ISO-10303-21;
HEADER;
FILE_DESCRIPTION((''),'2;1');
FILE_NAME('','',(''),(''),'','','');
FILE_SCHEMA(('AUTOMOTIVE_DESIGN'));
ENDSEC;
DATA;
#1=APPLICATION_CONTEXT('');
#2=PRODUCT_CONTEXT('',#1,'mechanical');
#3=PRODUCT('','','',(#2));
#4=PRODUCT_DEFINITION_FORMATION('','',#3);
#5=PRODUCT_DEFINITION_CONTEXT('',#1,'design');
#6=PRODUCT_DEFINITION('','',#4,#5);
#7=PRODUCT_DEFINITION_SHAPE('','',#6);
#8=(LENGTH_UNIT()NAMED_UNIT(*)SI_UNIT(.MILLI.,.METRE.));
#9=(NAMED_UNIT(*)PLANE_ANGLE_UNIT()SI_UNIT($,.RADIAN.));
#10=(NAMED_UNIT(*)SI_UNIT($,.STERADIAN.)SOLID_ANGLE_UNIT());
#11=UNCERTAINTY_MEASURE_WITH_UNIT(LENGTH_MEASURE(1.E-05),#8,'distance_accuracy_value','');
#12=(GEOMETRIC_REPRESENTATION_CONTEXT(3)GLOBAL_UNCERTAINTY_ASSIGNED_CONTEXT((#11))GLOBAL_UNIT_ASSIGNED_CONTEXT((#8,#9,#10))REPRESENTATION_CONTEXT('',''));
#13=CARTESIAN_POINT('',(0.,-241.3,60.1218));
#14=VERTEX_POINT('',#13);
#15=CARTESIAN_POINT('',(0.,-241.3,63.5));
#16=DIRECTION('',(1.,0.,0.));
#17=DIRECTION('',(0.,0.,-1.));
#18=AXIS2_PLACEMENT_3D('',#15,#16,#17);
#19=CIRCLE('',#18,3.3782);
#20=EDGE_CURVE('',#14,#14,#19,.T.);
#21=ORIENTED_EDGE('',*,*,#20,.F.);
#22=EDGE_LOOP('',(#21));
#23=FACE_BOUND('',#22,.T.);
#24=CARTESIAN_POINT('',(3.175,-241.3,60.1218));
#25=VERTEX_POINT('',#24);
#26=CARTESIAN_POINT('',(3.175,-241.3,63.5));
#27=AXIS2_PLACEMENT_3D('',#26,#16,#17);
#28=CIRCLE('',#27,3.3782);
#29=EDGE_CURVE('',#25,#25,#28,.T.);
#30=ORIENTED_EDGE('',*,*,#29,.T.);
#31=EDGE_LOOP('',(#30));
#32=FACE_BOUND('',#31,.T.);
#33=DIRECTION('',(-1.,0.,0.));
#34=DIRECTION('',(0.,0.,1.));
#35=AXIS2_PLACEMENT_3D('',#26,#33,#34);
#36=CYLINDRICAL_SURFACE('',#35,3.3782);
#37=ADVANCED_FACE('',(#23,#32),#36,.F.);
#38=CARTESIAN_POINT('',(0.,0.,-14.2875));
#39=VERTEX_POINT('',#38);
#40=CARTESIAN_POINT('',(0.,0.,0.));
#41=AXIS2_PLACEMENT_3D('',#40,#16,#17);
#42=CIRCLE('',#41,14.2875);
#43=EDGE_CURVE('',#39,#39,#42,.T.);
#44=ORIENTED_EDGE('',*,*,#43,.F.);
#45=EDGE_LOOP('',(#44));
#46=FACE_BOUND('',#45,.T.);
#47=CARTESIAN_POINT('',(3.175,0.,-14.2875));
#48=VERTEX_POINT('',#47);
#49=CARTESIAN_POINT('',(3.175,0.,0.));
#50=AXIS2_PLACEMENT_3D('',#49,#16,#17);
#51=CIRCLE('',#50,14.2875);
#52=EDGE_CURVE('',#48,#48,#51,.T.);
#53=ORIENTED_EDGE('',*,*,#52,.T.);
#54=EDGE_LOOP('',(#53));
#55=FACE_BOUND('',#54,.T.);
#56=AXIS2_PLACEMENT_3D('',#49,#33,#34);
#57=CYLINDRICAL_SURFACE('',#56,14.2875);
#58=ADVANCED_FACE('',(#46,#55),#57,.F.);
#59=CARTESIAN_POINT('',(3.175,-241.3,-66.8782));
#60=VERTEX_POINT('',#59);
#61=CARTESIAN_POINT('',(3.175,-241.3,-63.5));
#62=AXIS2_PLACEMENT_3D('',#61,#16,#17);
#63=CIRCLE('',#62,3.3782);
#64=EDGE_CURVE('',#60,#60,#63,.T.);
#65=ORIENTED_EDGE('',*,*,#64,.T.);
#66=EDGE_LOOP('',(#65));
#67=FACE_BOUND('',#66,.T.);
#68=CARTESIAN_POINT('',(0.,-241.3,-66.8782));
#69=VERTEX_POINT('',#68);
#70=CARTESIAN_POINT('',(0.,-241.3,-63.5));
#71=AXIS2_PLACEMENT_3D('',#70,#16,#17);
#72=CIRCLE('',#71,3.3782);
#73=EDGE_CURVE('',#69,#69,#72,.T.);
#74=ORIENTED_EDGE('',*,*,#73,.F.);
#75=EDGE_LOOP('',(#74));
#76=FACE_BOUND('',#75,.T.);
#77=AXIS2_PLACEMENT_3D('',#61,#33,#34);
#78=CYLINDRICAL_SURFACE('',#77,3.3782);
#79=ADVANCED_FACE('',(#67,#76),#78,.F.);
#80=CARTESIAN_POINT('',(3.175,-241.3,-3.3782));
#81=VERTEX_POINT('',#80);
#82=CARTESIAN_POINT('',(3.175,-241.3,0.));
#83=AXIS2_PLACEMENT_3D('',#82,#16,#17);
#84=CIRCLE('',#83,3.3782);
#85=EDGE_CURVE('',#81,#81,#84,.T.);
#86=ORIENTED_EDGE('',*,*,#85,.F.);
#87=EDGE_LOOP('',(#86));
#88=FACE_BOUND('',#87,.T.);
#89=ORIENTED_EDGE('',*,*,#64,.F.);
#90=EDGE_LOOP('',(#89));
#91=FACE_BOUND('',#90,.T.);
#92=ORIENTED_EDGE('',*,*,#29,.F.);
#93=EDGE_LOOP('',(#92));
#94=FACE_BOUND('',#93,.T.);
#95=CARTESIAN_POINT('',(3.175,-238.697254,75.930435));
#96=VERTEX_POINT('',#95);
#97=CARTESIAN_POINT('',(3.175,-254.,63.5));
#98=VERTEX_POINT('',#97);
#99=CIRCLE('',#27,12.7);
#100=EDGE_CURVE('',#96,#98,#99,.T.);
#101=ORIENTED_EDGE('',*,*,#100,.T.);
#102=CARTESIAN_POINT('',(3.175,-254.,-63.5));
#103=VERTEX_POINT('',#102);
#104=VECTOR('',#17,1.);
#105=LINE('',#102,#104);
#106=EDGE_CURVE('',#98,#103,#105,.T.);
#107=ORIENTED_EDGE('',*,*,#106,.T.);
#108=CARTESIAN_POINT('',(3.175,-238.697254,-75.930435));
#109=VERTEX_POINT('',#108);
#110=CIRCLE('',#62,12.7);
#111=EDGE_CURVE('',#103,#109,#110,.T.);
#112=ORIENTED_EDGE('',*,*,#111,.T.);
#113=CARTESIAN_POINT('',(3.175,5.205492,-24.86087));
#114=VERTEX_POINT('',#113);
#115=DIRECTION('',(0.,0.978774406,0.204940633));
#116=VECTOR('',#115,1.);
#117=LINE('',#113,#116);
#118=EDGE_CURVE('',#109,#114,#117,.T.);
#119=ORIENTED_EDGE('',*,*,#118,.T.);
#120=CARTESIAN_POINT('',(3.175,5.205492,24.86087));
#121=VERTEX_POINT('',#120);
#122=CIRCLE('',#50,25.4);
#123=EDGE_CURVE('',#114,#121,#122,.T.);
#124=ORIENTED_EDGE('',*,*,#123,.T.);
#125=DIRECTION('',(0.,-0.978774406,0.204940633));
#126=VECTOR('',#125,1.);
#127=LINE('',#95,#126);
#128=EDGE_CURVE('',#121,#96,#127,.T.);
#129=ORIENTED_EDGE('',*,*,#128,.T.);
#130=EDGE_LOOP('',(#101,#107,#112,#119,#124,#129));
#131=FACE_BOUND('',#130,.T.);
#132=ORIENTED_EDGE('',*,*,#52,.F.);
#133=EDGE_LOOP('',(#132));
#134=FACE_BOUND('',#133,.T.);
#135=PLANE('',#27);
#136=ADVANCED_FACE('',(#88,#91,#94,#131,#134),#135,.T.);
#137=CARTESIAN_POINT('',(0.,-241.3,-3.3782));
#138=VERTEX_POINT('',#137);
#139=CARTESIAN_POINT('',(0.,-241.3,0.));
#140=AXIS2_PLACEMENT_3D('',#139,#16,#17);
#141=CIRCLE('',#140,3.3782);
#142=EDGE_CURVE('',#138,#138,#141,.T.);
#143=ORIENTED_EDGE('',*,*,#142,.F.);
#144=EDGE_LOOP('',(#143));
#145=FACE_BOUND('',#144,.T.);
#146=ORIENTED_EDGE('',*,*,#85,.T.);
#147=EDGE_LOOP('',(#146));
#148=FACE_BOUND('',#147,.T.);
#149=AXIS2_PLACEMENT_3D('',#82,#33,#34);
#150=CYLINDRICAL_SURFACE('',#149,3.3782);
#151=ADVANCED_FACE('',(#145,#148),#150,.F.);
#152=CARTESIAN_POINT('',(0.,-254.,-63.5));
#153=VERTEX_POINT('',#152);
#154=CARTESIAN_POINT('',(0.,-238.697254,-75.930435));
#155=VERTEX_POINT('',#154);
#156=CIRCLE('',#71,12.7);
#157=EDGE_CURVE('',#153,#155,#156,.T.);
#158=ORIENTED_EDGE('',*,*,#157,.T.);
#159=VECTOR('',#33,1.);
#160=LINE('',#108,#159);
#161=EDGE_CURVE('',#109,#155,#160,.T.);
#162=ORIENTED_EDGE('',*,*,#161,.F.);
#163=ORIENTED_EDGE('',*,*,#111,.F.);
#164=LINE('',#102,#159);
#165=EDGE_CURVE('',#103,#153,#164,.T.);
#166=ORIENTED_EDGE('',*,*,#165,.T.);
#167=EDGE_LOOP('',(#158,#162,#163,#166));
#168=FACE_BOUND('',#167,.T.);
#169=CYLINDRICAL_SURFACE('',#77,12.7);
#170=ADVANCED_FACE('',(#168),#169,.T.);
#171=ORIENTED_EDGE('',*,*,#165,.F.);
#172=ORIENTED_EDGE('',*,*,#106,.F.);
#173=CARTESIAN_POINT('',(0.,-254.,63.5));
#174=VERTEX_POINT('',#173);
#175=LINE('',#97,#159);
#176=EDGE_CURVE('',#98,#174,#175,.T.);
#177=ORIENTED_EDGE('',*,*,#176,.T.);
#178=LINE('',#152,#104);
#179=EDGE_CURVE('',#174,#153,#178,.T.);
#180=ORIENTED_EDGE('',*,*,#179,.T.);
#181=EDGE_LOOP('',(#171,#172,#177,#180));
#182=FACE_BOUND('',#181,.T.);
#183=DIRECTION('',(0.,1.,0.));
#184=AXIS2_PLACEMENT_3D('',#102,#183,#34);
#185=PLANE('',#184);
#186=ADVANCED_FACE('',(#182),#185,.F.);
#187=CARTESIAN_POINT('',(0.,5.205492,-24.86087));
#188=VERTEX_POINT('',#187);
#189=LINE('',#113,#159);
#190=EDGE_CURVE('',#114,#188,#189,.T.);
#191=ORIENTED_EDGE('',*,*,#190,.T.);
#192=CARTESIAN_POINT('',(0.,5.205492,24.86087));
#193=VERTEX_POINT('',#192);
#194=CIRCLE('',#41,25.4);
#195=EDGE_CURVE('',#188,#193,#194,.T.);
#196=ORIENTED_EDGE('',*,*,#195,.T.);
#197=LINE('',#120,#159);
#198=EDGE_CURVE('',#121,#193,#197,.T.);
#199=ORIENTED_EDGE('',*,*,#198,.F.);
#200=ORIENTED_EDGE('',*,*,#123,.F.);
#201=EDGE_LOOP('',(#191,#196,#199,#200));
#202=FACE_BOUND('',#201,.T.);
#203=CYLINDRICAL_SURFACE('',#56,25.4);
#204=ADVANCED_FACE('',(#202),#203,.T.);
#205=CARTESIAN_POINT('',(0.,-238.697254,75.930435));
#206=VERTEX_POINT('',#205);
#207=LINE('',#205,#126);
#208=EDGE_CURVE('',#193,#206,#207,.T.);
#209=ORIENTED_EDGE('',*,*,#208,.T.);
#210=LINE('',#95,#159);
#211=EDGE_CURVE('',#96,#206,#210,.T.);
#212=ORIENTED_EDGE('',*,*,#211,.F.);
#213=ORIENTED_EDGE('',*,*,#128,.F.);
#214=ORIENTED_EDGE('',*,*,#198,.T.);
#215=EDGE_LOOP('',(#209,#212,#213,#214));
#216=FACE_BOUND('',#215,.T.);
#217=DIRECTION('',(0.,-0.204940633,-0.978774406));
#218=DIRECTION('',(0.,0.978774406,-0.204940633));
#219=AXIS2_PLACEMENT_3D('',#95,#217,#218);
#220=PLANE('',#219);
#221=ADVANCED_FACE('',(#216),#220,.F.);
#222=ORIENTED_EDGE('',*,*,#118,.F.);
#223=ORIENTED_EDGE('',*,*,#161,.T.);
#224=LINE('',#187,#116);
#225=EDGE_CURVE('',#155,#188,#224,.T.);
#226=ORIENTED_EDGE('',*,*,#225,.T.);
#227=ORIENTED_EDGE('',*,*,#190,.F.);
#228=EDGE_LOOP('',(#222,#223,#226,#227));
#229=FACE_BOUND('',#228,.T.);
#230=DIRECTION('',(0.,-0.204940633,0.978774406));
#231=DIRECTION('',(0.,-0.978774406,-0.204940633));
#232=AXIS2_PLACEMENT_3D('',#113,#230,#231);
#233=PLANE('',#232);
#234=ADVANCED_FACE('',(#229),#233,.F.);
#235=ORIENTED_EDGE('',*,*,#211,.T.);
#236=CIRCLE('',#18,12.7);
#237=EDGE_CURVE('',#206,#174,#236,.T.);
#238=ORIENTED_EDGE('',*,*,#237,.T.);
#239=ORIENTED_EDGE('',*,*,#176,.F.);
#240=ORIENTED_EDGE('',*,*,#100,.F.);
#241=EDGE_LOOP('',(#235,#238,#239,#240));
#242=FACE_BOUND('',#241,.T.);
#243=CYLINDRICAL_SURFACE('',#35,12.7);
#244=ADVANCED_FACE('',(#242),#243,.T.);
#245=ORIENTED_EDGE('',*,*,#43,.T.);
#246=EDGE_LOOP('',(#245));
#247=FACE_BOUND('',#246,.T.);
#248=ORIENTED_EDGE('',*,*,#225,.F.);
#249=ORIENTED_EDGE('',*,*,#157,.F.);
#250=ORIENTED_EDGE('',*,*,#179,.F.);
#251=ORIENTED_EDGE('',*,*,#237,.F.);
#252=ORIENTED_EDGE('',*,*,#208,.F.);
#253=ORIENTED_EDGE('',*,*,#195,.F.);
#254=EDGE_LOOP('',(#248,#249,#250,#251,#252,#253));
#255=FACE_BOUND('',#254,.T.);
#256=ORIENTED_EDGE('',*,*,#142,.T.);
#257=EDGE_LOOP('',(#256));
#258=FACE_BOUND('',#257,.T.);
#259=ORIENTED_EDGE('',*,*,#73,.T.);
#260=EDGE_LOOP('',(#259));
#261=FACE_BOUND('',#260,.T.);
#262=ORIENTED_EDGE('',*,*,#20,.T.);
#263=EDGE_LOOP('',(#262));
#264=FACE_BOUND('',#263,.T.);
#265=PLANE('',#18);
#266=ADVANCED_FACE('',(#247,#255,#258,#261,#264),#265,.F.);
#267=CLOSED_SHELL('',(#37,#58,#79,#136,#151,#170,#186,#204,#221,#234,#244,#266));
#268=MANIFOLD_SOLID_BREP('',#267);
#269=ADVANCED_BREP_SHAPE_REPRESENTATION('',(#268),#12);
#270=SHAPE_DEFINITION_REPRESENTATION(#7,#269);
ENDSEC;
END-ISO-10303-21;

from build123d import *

# Parameters (mm, degrees)
SKETCH1_R           = 14.2875
SKETCH1_R_2         = 3.3782
BOSS_EXTRUDE1_DEPTH = 3.175


with BuildPart() as part:
    # Sketch1 → Boss-Extrude1 (new body)
    with BuildSketch(Plane(origin=(0, 0, 0), x_dir=(0, 0, -1), z_dir=(1, 0, 0))):
        with BuildLine():
            Line((-75.93043495, -238.69725396), (-24.860869901, 5.205492079))
            ThreePointArc((-24.860869901, 5.205492079), (0, 25.4), (24.860869901, 5.205492079))
            Line((24.860869901, 5.205492079), (75.93043495, -238.69725396))
            ThreePointArc((75.93043495, -238.69725396), (73.357608095, -249.307344294), (63.5, -254))
            Line((63.5, -254), (-63.5, -254))
            ThreePointArc((-63.5, -254), (-73.357608095, -249.307344294), (-75.93043495, -238.69725396))
        make_face()
        Circle(SKETCH1_R, mode=Mode.SUBTRACT)
        with Locations((-63.5, -241.3)):
            Circle(SKETCH1_R_2, mode=Mode.SUBTRACT)
        with Locations((0, -241.3)):
            Circle(SKETCH1_R_2, mode=Mode.SUBTRACT)
        with Locations((63.5, -241.3)):
            Circle(SKETCH1_R_2, mode=Mode.SUBTRACT)
    extrude(amount=BOSS_EXTRUDE1_DEPTH)


solid = part.part
